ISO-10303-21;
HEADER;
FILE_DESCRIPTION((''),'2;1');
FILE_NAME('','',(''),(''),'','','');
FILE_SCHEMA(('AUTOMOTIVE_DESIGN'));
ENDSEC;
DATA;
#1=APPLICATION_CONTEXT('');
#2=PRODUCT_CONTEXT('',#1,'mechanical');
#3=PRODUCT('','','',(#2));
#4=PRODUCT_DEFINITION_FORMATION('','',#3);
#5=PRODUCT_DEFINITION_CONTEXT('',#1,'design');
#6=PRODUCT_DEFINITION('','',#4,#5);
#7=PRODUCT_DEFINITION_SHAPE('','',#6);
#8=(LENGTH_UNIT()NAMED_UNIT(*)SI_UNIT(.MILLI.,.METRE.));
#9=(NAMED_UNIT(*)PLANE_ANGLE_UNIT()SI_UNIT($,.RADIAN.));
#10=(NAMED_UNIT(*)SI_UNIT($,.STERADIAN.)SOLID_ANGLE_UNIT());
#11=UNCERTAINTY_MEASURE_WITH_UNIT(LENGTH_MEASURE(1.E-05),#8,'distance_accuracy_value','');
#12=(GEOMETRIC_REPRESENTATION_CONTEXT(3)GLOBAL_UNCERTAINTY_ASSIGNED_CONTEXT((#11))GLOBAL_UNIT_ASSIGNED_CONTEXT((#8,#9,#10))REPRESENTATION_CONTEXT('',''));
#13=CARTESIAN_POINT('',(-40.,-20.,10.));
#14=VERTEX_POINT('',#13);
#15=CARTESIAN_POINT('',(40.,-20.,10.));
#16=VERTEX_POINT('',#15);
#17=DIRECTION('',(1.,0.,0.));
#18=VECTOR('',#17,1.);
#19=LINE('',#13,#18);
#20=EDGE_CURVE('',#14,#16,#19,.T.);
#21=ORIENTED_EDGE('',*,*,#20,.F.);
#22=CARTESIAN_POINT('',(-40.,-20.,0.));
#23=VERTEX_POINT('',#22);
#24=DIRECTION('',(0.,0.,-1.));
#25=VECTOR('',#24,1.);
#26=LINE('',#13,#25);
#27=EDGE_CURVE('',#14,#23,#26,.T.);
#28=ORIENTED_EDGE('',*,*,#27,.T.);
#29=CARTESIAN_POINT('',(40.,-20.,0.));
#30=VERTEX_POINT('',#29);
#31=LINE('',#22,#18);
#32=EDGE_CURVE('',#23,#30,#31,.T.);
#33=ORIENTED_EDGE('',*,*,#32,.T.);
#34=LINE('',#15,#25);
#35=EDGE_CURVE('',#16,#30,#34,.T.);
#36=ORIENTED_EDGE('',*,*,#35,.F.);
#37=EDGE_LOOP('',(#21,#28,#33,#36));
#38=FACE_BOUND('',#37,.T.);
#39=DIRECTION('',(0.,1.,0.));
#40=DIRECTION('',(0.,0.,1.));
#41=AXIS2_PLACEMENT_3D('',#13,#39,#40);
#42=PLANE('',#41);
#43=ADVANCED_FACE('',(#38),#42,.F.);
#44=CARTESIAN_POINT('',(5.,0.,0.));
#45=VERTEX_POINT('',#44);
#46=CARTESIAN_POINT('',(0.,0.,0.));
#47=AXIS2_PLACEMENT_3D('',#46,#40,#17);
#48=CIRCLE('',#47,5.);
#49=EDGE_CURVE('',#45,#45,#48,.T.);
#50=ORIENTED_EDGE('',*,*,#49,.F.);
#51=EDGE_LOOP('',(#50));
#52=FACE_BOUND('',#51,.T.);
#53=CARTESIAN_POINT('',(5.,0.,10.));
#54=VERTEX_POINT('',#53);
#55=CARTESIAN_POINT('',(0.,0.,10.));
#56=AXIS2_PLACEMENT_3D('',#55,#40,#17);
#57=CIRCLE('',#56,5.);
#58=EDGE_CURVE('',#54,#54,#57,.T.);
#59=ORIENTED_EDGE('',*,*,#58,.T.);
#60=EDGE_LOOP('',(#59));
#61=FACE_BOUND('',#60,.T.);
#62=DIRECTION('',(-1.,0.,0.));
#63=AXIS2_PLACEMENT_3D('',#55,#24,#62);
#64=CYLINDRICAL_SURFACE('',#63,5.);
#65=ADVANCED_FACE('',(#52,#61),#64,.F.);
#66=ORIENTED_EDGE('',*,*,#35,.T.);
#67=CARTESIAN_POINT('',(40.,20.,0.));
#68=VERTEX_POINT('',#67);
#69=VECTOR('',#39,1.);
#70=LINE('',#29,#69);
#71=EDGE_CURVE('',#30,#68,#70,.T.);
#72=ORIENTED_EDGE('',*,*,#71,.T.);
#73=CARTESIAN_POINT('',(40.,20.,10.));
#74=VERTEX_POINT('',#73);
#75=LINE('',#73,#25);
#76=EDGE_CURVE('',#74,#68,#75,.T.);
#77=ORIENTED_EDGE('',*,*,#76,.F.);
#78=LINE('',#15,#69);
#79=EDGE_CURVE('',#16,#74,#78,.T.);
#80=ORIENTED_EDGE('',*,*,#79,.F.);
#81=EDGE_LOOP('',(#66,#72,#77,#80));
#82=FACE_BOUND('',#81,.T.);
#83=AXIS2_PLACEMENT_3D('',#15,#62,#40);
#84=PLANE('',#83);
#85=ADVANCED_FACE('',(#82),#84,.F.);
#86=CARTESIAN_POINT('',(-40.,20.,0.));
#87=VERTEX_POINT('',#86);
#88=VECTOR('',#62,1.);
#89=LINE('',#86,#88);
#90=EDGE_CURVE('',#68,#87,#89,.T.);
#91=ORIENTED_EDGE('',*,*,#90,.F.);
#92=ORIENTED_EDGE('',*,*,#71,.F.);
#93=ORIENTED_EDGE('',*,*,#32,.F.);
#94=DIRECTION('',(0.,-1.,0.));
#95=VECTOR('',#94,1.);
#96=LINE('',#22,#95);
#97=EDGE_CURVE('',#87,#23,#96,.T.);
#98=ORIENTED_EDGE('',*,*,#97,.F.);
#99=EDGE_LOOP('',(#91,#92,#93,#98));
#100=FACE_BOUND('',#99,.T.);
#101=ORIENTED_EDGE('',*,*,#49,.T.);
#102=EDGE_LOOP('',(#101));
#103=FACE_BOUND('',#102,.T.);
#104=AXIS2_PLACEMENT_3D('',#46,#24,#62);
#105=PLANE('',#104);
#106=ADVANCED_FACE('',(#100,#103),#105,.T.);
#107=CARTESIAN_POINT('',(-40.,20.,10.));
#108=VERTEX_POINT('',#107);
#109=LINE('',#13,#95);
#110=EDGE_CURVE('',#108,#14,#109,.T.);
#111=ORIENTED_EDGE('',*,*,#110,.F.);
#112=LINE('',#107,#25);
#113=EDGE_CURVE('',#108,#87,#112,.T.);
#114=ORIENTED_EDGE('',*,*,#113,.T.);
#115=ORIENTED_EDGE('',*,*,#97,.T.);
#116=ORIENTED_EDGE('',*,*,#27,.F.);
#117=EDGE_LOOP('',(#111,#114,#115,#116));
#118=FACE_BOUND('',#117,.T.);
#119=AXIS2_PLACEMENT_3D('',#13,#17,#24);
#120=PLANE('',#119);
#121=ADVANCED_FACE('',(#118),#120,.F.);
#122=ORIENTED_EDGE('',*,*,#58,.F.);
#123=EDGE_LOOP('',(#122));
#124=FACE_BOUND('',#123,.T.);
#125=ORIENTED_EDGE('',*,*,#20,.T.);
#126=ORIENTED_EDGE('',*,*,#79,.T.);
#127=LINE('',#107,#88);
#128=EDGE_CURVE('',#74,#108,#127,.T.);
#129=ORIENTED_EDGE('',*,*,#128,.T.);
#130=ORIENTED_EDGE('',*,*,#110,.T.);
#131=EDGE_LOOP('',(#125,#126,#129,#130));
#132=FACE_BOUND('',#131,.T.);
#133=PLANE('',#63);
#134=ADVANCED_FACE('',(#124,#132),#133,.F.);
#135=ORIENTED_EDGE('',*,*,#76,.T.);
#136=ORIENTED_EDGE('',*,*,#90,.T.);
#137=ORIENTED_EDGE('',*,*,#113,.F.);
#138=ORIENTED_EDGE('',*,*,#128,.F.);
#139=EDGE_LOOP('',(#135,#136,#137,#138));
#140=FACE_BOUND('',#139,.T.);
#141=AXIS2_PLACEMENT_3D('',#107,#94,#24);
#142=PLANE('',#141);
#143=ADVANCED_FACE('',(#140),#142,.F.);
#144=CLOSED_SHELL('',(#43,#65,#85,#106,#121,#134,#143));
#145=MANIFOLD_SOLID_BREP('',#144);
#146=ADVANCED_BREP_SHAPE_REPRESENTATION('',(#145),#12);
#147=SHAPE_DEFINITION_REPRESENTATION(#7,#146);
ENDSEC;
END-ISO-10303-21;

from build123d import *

# Parameters (mm, degrees)
SKETCH1_W           = 80
SKETCH1_H           = 40
SKETCH1_R           = 5
BOSS_EXTRUDE1_DEPTH = 10


with BuildPart() as part:
    # Sketch1 → Boss-Extrude1 (new body)
    with BuildSketch(Plane.XY):
        Rectangle(SKETCH1_W, SKETCH1_H)
        Circle(SKETCH1_R, mode=Mode.SUBTRACT)
    extrude(amount=BOSS_EXTRUDE1_DEPTH)


solid = part.part
